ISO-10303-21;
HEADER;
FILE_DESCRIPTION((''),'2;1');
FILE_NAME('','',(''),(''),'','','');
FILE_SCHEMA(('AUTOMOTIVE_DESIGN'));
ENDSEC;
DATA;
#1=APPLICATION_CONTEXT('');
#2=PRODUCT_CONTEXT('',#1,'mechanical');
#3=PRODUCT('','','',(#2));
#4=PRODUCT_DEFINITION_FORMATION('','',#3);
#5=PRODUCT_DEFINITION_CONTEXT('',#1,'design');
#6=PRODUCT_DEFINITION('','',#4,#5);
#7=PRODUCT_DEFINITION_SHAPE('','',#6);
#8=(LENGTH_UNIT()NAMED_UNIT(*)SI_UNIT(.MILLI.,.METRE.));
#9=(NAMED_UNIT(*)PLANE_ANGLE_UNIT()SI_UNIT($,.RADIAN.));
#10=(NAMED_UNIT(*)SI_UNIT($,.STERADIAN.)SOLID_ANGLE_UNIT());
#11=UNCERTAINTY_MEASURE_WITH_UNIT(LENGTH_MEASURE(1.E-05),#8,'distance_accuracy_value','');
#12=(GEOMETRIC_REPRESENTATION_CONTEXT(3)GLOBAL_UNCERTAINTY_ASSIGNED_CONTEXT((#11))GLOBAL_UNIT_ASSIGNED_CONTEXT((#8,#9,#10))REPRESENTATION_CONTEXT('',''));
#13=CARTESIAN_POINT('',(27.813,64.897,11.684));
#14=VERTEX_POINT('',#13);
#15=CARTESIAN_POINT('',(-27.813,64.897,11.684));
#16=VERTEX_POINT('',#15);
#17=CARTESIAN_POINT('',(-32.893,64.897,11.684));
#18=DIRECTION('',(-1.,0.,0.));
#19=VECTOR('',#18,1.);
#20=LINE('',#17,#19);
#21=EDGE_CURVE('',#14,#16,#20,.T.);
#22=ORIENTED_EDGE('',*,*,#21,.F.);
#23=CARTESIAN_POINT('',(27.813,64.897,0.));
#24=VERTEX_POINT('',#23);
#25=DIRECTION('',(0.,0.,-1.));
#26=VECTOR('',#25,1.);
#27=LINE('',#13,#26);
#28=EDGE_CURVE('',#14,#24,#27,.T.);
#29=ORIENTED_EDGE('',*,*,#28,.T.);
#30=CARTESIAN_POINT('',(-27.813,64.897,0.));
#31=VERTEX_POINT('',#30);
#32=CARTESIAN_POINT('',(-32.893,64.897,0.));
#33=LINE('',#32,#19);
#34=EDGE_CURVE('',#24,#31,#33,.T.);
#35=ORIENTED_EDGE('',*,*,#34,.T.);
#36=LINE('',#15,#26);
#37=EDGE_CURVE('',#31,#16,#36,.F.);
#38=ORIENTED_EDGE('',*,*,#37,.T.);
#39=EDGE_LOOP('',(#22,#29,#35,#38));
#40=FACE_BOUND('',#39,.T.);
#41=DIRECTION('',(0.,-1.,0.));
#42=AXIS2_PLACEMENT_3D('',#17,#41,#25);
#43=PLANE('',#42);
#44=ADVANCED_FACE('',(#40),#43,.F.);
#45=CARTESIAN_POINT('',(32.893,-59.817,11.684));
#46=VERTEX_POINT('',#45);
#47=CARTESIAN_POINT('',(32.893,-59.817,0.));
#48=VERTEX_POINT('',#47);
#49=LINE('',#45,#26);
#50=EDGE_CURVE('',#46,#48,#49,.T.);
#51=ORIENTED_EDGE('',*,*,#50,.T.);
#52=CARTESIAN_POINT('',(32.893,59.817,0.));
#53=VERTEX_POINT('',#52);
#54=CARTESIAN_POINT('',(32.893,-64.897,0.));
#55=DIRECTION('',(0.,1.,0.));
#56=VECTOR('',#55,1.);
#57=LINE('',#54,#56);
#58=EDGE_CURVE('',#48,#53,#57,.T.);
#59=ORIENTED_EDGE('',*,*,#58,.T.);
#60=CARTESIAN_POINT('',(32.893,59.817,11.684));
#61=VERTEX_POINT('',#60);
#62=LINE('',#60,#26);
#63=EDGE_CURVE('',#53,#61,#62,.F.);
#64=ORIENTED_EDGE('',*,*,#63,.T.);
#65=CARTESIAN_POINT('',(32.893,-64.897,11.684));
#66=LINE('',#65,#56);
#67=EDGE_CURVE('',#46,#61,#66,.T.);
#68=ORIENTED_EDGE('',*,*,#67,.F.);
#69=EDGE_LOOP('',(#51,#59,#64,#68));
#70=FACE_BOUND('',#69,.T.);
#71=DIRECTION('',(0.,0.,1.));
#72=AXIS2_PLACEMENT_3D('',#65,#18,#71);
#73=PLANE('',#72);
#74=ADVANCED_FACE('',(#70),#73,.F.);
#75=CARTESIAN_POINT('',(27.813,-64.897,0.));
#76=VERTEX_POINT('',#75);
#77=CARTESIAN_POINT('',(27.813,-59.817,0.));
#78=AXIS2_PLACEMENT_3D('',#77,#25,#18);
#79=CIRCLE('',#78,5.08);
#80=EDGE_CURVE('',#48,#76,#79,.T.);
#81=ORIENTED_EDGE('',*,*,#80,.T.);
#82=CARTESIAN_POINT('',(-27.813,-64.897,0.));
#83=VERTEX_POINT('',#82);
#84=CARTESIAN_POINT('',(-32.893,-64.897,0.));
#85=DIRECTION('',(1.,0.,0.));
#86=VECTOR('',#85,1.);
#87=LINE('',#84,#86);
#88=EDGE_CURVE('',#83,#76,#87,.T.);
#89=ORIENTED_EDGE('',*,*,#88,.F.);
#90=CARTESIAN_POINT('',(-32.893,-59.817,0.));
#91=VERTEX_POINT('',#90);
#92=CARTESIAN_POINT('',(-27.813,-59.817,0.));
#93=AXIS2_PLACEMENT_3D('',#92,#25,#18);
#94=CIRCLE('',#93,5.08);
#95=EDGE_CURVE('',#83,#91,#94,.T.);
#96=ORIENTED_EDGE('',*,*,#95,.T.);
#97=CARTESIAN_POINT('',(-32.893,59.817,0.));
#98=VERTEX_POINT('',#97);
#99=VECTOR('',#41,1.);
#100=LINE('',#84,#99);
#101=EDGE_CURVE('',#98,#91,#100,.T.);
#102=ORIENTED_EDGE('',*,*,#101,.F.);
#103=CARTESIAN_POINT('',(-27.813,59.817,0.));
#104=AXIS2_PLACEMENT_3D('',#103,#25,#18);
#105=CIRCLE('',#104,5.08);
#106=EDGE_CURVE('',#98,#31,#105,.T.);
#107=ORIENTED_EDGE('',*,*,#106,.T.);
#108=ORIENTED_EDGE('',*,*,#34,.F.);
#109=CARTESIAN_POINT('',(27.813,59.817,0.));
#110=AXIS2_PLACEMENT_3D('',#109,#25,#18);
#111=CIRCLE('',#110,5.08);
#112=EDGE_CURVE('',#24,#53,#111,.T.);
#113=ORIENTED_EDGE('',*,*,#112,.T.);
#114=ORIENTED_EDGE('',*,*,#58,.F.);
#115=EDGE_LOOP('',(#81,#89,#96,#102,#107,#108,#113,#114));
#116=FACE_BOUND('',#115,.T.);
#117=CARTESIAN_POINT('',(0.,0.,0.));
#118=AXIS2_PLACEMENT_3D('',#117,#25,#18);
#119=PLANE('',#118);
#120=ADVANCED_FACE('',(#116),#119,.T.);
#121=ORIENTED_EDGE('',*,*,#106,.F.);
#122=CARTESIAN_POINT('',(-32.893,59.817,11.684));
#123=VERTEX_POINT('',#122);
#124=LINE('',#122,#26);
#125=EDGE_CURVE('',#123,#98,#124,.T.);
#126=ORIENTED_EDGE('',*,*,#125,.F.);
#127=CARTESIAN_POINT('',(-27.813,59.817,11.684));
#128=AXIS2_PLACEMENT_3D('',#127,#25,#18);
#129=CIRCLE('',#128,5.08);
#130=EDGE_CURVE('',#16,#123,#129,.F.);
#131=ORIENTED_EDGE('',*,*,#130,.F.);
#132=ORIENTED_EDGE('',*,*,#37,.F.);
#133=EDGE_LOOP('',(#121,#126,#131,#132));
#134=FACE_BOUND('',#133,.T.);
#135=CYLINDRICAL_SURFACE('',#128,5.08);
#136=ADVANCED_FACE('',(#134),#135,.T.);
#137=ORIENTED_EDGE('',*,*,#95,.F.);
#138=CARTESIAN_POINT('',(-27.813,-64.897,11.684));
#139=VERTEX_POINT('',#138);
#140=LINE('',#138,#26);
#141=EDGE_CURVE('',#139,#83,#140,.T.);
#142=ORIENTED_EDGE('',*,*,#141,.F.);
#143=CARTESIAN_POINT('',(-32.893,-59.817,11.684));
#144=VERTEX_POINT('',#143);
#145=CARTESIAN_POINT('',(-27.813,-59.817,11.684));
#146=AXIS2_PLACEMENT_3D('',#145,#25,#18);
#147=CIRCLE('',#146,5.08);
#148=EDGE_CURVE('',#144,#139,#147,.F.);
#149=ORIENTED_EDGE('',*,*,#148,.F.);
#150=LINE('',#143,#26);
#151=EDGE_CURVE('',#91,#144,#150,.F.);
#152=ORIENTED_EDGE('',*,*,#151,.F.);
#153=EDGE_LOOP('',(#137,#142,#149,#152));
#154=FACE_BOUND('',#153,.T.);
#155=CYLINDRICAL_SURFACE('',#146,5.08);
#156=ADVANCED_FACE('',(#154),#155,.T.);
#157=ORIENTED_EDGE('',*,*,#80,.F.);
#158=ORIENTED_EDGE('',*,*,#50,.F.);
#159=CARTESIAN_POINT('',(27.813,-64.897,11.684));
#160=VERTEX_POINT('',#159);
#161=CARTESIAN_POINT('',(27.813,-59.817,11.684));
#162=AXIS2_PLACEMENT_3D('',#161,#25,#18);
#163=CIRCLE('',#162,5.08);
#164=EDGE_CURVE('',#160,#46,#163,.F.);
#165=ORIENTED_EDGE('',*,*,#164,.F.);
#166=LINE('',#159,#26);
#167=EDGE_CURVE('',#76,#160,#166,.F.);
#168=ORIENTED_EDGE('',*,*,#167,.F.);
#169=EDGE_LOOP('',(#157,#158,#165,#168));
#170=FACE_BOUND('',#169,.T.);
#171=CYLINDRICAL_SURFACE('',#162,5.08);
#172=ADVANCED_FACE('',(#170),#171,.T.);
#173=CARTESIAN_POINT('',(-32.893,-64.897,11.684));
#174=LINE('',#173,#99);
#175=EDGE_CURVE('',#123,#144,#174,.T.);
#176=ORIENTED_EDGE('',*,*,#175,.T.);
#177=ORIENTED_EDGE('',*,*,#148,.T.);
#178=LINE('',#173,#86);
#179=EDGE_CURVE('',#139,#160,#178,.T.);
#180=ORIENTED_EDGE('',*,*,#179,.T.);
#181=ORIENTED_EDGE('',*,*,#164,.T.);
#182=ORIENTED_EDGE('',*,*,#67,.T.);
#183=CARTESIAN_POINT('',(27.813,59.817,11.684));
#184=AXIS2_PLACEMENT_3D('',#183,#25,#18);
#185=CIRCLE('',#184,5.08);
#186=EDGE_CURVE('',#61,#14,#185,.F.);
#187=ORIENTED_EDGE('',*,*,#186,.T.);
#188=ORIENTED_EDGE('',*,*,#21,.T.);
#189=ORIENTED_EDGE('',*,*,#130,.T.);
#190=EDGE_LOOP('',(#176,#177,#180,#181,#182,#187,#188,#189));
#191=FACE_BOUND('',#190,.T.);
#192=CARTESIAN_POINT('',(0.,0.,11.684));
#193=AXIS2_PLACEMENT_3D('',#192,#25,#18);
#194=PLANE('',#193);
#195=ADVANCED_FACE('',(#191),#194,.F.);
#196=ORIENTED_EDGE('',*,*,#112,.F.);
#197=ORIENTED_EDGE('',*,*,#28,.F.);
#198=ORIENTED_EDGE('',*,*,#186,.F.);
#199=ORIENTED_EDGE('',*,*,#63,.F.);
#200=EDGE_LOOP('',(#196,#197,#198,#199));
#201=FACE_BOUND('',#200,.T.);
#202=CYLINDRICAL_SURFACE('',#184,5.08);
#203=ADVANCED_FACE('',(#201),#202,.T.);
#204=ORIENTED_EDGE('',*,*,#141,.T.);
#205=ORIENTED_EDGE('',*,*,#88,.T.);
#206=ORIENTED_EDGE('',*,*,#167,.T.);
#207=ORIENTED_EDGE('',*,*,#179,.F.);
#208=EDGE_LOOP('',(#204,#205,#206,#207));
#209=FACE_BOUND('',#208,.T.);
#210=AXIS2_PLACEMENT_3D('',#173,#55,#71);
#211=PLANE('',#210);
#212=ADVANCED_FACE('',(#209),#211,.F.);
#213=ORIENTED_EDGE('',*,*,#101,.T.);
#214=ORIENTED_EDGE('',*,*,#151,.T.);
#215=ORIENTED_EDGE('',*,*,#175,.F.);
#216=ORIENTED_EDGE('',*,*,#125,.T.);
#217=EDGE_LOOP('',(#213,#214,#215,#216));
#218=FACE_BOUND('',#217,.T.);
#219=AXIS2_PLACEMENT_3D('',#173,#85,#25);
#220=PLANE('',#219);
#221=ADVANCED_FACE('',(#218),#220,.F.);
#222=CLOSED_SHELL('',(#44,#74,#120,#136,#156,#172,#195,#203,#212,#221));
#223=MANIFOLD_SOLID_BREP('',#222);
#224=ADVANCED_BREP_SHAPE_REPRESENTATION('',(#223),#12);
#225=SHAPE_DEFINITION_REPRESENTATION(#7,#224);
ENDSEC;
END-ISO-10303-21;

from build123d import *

# Parameters (mm, degrees)
SKETCH1_W           = 65.786
SKETCH1_H           = 129.794
BOSS_EXTRUDE1_DEPTH = 11.684
FILLET1_R           = 5.08


with BuildPart() as part:
    # Sketch1 → Boss-Extrude1 (new body)
    with BuildSketch(Plane.XY):
        Rectangle(SKETCH1_W, SKETCH1_H)
    extrude(amount=BOSS_EXTRUDE1_DEPTH)

    # Fillet1
    fillet1_edges = [part.edges().sort_by_distance(p)[0] for p in [
        (32.893, -64.897, 5.842),
        (-32.893, -64.897, 5.842),
        (-32.893, 64.897, 5.842),
        (32.893, 64.897, 5.842),
    ]]
    fillet(fillet1_edges, radius=FILLET1_R)


solid = part.part
